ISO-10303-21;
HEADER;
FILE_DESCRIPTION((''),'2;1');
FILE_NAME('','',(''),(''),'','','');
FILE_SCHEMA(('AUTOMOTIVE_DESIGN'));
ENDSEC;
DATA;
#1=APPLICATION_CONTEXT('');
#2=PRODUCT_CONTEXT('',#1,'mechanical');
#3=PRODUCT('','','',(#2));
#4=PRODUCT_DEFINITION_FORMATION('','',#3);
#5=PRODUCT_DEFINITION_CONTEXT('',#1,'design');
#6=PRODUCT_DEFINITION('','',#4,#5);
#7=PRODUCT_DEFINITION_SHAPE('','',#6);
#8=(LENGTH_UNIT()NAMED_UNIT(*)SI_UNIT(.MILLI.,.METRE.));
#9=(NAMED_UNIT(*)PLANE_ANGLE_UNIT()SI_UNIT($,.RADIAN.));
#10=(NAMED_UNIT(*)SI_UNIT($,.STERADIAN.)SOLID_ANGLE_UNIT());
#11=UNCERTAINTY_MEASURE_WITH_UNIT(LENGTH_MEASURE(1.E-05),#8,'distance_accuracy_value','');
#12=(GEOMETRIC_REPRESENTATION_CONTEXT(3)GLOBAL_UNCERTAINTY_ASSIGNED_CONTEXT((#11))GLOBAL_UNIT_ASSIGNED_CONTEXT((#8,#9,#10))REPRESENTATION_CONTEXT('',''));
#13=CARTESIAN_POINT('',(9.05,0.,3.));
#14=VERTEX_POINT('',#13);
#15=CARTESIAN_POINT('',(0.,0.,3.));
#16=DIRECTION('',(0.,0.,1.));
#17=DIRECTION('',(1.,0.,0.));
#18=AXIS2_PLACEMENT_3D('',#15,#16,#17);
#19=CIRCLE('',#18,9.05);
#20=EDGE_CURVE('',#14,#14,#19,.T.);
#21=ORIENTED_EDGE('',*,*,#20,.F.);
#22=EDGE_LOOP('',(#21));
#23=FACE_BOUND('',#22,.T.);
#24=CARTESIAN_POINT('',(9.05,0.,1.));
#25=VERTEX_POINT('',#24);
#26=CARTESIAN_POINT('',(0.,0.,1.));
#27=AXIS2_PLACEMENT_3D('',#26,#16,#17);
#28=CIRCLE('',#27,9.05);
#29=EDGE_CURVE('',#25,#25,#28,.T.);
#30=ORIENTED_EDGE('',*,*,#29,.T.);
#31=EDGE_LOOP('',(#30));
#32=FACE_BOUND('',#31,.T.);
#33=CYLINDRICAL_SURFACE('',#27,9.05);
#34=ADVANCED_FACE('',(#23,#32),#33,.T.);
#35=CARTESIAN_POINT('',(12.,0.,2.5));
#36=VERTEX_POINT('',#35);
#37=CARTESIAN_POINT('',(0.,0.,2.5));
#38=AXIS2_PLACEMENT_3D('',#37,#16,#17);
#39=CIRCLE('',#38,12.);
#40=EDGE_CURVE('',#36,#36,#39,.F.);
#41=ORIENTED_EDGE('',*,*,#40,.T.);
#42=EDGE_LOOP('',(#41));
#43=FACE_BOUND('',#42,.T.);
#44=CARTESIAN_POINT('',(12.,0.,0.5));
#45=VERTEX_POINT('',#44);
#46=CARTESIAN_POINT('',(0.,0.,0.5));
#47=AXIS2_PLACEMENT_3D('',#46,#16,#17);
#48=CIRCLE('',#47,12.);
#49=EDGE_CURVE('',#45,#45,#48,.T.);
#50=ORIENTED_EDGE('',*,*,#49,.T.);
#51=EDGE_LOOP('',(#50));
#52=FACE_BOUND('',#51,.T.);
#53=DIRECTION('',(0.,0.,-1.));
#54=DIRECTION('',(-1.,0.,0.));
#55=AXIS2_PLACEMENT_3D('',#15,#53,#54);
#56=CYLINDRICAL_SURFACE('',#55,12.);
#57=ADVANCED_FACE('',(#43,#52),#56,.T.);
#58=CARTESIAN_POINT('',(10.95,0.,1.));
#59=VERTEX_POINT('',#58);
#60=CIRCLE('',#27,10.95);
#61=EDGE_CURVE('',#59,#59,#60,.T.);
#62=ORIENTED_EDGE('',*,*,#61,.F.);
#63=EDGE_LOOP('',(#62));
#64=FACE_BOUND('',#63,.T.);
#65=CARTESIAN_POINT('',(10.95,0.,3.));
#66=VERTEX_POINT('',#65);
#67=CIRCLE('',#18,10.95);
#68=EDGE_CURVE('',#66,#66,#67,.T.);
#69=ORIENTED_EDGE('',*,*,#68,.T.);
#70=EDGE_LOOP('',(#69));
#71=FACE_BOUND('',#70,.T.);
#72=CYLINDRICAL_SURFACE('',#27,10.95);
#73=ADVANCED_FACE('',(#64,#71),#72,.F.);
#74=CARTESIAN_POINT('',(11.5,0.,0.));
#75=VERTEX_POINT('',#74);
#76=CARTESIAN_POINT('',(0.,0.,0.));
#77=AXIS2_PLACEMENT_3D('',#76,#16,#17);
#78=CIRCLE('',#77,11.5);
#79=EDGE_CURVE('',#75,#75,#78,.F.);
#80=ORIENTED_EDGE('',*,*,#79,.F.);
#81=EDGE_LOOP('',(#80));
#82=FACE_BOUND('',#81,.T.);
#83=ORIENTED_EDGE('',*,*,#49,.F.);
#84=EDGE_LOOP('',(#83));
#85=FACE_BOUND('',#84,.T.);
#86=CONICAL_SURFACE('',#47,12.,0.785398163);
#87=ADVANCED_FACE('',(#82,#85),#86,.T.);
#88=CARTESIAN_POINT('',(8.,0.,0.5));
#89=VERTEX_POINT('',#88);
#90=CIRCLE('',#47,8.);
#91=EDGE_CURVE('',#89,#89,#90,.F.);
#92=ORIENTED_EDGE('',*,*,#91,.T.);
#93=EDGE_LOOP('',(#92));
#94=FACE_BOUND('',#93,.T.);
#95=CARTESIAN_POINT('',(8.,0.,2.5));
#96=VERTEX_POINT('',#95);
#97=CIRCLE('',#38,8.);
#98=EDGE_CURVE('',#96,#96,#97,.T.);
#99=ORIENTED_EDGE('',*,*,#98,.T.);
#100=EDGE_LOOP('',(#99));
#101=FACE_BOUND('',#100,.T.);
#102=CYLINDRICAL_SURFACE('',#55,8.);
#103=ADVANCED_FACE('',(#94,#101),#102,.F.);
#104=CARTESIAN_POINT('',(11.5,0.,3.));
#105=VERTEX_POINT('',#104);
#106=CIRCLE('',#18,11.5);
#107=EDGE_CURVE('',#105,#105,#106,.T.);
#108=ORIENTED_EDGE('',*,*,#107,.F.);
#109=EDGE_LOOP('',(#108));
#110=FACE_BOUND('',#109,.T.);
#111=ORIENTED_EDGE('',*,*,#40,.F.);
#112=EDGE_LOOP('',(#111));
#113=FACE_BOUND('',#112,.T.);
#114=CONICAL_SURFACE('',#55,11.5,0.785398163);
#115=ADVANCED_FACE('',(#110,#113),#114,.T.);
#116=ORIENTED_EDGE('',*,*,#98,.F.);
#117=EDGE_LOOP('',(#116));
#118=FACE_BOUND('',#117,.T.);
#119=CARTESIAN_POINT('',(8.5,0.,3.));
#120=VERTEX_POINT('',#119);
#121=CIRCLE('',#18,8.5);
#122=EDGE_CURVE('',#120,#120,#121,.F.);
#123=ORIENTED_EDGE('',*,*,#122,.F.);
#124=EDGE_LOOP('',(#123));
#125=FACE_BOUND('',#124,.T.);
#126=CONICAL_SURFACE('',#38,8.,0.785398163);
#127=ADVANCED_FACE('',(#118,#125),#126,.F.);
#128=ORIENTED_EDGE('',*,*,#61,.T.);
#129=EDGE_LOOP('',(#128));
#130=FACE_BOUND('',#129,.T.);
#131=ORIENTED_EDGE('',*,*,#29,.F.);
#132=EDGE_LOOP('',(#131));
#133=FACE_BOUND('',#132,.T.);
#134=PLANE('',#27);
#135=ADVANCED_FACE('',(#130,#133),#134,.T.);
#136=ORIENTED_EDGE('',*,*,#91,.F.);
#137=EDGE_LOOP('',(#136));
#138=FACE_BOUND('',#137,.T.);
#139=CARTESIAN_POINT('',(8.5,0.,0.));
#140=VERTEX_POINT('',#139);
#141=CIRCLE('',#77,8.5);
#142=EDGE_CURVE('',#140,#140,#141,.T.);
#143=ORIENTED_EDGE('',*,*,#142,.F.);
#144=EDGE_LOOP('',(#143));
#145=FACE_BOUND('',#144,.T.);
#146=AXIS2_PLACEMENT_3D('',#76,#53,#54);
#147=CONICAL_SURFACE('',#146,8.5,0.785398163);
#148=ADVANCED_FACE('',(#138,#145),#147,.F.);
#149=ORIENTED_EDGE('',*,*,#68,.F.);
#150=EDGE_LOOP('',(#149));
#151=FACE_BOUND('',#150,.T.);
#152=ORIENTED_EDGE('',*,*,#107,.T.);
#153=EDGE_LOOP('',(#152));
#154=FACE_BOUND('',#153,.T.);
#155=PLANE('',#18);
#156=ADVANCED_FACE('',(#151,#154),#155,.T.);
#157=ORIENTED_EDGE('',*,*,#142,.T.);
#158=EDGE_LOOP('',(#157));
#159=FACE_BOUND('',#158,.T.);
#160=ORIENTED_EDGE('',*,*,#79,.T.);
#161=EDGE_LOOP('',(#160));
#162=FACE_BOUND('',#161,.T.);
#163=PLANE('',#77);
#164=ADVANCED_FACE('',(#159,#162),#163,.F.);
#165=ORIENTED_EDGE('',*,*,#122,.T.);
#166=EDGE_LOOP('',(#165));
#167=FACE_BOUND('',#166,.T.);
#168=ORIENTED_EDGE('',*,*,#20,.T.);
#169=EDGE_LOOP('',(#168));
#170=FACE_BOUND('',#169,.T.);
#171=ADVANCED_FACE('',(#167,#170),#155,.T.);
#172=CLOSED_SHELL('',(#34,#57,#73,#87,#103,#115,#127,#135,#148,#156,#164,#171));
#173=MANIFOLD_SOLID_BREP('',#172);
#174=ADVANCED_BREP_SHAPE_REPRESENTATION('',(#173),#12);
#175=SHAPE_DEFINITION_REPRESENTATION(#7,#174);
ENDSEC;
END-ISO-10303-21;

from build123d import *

# Parameters (mm, degrees)
SKETCH1_R           = 12
SKETCH1_R_2         = 8
BOSS_EXTRUDE1_DEPTH = 3
CHAMFER1_SIZE       = 0.5
SKETCH2_R           = 10.95
SKETCH2_R_2         = 9.05
CUT_EXTRUDE1_DEPTH  = 2


with BuildPart() as part:
    # Sketch1 → Boss-Extrude1 (new body)
    with BuildSketch(Plane.XY):
        Circle(SKETCH1_R)
        Circle(SKETCH1_R_2, mode=Mode.SUBTRACT)
    extrude(amount=BOSS_EXTRUDE1_DEPTH)

    # Chamfer1
    chamfer1_edges = [part.edges().sort_by_distance(p)[0] for p in [
        (-12, 0, 0),
        (-12, 0, 3),
        (-8, 0, 0),
        (-8, 0, 3),
    ]]
    chamfer(chamfer1_edges, length=CHAMFER1_SIZE)

    # Sketch2 → Cut-Extrude1 (cut)
    with BuildSketch(Plane.XY.offset(3)):
        Circle(SKETCH2_R)
        Circle(SKETCH2_R_2, mode=Mode.SUBTRACT)
    extrude(amount=-CUT_EXTRUDE1_DEPTH, mode=Mode.SUBTRACT)


solid = part.part
